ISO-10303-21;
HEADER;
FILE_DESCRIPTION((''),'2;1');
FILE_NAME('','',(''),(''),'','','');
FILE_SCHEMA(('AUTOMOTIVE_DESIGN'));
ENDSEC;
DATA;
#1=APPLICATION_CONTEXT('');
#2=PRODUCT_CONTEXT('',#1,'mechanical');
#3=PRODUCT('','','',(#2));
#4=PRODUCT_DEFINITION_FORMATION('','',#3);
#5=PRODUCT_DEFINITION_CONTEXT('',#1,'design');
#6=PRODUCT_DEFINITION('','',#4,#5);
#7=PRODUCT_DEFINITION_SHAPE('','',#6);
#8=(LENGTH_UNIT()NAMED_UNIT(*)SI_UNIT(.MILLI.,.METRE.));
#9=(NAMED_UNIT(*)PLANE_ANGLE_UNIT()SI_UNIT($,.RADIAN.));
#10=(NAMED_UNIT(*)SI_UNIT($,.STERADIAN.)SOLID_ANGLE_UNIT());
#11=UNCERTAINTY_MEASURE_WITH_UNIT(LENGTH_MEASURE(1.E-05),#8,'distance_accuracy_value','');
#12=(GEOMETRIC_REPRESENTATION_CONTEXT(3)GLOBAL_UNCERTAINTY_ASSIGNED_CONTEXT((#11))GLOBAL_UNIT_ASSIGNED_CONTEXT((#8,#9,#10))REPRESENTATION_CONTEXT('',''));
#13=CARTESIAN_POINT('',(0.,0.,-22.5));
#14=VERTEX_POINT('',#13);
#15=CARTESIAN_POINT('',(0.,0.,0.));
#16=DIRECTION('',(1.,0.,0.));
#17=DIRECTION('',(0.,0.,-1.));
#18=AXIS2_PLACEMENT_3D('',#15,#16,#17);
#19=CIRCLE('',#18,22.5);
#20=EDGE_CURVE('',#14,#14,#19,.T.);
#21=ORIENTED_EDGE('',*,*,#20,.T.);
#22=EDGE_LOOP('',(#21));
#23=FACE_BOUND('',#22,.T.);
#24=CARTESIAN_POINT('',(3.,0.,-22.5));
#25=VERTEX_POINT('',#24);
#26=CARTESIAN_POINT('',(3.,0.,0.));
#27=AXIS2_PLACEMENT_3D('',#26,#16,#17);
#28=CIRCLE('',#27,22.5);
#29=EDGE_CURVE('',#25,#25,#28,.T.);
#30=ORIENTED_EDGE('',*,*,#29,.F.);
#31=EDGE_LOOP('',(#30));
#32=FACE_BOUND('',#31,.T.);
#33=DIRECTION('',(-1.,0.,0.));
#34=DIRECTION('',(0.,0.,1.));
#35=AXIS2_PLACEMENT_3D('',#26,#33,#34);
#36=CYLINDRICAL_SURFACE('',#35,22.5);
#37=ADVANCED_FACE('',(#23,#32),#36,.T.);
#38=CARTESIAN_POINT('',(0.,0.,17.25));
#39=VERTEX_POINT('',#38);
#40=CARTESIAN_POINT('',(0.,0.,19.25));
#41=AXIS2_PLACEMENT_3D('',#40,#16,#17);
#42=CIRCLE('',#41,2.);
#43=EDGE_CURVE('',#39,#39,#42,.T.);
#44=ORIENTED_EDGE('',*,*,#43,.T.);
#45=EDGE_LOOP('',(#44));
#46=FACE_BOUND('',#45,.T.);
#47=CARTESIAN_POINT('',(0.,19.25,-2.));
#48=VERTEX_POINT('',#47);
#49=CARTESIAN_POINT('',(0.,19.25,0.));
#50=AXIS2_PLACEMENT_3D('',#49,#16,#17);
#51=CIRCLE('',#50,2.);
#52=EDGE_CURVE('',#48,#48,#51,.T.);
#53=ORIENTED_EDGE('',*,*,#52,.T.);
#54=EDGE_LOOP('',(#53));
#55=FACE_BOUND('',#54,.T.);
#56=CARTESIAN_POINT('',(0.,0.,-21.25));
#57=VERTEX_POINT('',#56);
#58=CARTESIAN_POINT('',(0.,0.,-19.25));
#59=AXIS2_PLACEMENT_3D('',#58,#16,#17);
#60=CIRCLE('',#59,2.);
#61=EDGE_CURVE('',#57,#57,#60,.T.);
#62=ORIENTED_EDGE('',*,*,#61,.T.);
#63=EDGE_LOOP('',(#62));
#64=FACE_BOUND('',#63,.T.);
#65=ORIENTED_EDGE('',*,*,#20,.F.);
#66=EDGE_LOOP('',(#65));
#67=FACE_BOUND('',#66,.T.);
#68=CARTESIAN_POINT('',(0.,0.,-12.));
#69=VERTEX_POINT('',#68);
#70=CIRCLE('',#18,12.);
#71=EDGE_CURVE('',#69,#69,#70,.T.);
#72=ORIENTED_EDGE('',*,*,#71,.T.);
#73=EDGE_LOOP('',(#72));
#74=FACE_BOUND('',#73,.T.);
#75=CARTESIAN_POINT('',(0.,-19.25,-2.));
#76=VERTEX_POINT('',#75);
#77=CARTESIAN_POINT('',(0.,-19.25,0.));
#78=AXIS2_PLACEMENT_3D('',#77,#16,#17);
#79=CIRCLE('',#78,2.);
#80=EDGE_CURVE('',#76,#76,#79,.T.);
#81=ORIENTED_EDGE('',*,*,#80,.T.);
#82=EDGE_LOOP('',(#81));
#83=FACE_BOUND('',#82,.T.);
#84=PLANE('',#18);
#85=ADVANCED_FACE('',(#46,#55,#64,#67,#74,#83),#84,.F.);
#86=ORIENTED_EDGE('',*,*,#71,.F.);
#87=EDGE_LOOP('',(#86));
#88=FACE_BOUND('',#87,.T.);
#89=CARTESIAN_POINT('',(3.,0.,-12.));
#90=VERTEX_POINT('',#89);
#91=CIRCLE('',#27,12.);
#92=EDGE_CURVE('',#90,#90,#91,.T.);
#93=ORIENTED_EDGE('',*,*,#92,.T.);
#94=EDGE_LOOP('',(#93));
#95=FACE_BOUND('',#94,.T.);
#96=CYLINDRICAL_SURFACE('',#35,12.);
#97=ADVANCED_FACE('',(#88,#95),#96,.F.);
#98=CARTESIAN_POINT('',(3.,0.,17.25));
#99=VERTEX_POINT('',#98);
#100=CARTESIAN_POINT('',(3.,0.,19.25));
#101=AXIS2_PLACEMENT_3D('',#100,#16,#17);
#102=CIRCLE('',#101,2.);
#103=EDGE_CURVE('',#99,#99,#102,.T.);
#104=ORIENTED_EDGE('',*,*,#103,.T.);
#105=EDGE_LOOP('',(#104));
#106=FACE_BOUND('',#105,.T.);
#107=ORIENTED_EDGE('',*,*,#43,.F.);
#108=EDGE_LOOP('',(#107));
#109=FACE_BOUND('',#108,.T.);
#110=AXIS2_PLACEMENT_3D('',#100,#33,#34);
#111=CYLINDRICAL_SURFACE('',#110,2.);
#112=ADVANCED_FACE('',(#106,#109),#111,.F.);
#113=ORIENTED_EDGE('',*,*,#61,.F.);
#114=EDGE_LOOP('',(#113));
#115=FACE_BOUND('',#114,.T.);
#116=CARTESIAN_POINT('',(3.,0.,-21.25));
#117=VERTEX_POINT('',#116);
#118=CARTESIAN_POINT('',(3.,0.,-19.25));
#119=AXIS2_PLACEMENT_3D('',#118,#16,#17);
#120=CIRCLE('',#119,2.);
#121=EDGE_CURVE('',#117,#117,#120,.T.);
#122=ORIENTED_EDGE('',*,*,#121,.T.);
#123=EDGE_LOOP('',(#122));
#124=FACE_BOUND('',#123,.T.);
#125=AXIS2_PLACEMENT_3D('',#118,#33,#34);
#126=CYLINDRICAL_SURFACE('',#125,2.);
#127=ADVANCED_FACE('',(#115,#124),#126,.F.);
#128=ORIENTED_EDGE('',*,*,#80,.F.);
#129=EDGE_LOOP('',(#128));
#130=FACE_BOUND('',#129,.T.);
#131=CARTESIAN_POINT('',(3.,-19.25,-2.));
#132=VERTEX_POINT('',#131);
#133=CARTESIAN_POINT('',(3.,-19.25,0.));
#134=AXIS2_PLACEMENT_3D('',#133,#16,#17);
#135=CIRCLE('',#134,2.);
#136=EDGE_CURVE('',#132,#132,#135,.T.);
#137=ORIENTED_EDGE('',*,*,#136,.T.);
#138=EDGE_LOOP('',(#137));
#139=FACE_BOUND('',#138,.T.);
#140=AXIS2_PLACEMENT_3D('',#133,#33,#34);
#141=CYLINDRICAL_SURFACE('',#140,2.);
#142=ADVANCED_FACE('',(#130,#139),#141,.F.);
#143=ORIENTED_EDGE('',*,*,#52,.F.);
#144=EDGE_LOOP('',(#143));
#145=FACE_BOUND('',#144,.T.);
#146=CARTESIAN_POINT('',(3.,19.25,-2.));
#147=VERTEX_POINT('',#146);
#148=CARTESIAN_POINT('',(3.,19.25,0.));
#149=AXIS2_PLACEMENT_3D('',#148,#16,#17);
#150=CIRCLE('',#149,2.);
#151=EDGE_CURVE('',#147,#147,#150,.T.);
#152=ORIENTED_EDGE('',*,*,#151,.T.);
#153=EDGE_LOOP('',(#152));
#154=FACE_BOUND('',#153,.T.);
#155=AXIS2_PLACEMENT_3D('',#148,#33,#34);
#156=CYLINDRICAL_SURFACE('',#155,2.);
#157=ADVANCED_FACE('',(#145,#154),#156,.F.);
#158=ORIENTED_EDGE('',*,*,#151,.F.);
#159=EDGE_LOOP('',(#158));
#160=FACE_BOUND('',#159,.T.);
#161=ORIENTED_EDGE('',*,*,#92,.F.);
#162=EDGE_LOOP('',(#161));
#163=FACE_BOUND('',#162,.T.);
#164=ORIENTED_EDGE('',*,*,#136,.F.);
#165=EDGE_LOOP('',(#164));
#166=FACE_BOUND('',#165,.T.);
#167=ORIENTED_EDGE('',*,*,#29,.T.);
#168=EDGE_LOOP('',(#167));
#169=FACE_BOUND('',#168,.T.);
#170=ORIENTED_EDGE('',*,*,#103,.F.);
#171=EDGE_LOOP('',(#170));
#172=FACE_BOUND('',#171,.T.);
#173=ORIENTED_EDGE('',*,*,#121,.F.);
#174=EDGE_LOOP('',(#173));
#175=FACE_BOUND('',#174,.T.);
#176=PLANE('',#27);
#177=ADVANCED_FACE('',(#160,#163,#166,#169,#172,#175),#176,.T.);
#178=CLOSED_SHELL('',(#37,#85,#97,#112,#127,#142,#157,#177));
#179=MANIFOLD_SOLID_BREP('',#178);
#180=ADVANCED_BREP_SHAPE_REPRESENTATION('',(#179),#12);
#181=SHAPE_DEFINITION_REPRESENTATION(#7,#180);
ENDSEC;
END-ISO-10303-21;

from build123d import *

# Parameters (mm, degrees)
SKETCH1_R           = 22.5
SKETCH1_R_2         = 12
SKETCH1_R_3         = 2
BOSS_EXTRUDE1_DEPTH = 3


with BuildPart() as part:
    # Sketch1 → Boss-Extrude1 (new body)
    with BuildSketch(Plane(origin=(0, 0, 0), x_dir=(0, 0, -1), z_dir=(1, 0, 0))):
        Circle(SKETCH1_R)
        Circle(SKETCH1_R_2, mode=Mode.SUBTRACT)
        with Locations((0, 19.25)):
            Circle(SKETCH1_R_3, mode=Mode.SUBTRACT)
        with Locations((19.25, 0)):
            Circle(SKETCH1_R_3, mode=Mode.SUBTRACT)
        with Locations((0, -19.25)):
            Circle(SKETCH1_R_3, mode=Mode.SUBTRACT)
        with Locations((-19.25, 0)):
            Circle(SKETCH1_R_3, mode=Mode.SUBTRACT)
    extrude(amount=BOSS_EXTRUDE1_DEPTH)


solid = part.part
